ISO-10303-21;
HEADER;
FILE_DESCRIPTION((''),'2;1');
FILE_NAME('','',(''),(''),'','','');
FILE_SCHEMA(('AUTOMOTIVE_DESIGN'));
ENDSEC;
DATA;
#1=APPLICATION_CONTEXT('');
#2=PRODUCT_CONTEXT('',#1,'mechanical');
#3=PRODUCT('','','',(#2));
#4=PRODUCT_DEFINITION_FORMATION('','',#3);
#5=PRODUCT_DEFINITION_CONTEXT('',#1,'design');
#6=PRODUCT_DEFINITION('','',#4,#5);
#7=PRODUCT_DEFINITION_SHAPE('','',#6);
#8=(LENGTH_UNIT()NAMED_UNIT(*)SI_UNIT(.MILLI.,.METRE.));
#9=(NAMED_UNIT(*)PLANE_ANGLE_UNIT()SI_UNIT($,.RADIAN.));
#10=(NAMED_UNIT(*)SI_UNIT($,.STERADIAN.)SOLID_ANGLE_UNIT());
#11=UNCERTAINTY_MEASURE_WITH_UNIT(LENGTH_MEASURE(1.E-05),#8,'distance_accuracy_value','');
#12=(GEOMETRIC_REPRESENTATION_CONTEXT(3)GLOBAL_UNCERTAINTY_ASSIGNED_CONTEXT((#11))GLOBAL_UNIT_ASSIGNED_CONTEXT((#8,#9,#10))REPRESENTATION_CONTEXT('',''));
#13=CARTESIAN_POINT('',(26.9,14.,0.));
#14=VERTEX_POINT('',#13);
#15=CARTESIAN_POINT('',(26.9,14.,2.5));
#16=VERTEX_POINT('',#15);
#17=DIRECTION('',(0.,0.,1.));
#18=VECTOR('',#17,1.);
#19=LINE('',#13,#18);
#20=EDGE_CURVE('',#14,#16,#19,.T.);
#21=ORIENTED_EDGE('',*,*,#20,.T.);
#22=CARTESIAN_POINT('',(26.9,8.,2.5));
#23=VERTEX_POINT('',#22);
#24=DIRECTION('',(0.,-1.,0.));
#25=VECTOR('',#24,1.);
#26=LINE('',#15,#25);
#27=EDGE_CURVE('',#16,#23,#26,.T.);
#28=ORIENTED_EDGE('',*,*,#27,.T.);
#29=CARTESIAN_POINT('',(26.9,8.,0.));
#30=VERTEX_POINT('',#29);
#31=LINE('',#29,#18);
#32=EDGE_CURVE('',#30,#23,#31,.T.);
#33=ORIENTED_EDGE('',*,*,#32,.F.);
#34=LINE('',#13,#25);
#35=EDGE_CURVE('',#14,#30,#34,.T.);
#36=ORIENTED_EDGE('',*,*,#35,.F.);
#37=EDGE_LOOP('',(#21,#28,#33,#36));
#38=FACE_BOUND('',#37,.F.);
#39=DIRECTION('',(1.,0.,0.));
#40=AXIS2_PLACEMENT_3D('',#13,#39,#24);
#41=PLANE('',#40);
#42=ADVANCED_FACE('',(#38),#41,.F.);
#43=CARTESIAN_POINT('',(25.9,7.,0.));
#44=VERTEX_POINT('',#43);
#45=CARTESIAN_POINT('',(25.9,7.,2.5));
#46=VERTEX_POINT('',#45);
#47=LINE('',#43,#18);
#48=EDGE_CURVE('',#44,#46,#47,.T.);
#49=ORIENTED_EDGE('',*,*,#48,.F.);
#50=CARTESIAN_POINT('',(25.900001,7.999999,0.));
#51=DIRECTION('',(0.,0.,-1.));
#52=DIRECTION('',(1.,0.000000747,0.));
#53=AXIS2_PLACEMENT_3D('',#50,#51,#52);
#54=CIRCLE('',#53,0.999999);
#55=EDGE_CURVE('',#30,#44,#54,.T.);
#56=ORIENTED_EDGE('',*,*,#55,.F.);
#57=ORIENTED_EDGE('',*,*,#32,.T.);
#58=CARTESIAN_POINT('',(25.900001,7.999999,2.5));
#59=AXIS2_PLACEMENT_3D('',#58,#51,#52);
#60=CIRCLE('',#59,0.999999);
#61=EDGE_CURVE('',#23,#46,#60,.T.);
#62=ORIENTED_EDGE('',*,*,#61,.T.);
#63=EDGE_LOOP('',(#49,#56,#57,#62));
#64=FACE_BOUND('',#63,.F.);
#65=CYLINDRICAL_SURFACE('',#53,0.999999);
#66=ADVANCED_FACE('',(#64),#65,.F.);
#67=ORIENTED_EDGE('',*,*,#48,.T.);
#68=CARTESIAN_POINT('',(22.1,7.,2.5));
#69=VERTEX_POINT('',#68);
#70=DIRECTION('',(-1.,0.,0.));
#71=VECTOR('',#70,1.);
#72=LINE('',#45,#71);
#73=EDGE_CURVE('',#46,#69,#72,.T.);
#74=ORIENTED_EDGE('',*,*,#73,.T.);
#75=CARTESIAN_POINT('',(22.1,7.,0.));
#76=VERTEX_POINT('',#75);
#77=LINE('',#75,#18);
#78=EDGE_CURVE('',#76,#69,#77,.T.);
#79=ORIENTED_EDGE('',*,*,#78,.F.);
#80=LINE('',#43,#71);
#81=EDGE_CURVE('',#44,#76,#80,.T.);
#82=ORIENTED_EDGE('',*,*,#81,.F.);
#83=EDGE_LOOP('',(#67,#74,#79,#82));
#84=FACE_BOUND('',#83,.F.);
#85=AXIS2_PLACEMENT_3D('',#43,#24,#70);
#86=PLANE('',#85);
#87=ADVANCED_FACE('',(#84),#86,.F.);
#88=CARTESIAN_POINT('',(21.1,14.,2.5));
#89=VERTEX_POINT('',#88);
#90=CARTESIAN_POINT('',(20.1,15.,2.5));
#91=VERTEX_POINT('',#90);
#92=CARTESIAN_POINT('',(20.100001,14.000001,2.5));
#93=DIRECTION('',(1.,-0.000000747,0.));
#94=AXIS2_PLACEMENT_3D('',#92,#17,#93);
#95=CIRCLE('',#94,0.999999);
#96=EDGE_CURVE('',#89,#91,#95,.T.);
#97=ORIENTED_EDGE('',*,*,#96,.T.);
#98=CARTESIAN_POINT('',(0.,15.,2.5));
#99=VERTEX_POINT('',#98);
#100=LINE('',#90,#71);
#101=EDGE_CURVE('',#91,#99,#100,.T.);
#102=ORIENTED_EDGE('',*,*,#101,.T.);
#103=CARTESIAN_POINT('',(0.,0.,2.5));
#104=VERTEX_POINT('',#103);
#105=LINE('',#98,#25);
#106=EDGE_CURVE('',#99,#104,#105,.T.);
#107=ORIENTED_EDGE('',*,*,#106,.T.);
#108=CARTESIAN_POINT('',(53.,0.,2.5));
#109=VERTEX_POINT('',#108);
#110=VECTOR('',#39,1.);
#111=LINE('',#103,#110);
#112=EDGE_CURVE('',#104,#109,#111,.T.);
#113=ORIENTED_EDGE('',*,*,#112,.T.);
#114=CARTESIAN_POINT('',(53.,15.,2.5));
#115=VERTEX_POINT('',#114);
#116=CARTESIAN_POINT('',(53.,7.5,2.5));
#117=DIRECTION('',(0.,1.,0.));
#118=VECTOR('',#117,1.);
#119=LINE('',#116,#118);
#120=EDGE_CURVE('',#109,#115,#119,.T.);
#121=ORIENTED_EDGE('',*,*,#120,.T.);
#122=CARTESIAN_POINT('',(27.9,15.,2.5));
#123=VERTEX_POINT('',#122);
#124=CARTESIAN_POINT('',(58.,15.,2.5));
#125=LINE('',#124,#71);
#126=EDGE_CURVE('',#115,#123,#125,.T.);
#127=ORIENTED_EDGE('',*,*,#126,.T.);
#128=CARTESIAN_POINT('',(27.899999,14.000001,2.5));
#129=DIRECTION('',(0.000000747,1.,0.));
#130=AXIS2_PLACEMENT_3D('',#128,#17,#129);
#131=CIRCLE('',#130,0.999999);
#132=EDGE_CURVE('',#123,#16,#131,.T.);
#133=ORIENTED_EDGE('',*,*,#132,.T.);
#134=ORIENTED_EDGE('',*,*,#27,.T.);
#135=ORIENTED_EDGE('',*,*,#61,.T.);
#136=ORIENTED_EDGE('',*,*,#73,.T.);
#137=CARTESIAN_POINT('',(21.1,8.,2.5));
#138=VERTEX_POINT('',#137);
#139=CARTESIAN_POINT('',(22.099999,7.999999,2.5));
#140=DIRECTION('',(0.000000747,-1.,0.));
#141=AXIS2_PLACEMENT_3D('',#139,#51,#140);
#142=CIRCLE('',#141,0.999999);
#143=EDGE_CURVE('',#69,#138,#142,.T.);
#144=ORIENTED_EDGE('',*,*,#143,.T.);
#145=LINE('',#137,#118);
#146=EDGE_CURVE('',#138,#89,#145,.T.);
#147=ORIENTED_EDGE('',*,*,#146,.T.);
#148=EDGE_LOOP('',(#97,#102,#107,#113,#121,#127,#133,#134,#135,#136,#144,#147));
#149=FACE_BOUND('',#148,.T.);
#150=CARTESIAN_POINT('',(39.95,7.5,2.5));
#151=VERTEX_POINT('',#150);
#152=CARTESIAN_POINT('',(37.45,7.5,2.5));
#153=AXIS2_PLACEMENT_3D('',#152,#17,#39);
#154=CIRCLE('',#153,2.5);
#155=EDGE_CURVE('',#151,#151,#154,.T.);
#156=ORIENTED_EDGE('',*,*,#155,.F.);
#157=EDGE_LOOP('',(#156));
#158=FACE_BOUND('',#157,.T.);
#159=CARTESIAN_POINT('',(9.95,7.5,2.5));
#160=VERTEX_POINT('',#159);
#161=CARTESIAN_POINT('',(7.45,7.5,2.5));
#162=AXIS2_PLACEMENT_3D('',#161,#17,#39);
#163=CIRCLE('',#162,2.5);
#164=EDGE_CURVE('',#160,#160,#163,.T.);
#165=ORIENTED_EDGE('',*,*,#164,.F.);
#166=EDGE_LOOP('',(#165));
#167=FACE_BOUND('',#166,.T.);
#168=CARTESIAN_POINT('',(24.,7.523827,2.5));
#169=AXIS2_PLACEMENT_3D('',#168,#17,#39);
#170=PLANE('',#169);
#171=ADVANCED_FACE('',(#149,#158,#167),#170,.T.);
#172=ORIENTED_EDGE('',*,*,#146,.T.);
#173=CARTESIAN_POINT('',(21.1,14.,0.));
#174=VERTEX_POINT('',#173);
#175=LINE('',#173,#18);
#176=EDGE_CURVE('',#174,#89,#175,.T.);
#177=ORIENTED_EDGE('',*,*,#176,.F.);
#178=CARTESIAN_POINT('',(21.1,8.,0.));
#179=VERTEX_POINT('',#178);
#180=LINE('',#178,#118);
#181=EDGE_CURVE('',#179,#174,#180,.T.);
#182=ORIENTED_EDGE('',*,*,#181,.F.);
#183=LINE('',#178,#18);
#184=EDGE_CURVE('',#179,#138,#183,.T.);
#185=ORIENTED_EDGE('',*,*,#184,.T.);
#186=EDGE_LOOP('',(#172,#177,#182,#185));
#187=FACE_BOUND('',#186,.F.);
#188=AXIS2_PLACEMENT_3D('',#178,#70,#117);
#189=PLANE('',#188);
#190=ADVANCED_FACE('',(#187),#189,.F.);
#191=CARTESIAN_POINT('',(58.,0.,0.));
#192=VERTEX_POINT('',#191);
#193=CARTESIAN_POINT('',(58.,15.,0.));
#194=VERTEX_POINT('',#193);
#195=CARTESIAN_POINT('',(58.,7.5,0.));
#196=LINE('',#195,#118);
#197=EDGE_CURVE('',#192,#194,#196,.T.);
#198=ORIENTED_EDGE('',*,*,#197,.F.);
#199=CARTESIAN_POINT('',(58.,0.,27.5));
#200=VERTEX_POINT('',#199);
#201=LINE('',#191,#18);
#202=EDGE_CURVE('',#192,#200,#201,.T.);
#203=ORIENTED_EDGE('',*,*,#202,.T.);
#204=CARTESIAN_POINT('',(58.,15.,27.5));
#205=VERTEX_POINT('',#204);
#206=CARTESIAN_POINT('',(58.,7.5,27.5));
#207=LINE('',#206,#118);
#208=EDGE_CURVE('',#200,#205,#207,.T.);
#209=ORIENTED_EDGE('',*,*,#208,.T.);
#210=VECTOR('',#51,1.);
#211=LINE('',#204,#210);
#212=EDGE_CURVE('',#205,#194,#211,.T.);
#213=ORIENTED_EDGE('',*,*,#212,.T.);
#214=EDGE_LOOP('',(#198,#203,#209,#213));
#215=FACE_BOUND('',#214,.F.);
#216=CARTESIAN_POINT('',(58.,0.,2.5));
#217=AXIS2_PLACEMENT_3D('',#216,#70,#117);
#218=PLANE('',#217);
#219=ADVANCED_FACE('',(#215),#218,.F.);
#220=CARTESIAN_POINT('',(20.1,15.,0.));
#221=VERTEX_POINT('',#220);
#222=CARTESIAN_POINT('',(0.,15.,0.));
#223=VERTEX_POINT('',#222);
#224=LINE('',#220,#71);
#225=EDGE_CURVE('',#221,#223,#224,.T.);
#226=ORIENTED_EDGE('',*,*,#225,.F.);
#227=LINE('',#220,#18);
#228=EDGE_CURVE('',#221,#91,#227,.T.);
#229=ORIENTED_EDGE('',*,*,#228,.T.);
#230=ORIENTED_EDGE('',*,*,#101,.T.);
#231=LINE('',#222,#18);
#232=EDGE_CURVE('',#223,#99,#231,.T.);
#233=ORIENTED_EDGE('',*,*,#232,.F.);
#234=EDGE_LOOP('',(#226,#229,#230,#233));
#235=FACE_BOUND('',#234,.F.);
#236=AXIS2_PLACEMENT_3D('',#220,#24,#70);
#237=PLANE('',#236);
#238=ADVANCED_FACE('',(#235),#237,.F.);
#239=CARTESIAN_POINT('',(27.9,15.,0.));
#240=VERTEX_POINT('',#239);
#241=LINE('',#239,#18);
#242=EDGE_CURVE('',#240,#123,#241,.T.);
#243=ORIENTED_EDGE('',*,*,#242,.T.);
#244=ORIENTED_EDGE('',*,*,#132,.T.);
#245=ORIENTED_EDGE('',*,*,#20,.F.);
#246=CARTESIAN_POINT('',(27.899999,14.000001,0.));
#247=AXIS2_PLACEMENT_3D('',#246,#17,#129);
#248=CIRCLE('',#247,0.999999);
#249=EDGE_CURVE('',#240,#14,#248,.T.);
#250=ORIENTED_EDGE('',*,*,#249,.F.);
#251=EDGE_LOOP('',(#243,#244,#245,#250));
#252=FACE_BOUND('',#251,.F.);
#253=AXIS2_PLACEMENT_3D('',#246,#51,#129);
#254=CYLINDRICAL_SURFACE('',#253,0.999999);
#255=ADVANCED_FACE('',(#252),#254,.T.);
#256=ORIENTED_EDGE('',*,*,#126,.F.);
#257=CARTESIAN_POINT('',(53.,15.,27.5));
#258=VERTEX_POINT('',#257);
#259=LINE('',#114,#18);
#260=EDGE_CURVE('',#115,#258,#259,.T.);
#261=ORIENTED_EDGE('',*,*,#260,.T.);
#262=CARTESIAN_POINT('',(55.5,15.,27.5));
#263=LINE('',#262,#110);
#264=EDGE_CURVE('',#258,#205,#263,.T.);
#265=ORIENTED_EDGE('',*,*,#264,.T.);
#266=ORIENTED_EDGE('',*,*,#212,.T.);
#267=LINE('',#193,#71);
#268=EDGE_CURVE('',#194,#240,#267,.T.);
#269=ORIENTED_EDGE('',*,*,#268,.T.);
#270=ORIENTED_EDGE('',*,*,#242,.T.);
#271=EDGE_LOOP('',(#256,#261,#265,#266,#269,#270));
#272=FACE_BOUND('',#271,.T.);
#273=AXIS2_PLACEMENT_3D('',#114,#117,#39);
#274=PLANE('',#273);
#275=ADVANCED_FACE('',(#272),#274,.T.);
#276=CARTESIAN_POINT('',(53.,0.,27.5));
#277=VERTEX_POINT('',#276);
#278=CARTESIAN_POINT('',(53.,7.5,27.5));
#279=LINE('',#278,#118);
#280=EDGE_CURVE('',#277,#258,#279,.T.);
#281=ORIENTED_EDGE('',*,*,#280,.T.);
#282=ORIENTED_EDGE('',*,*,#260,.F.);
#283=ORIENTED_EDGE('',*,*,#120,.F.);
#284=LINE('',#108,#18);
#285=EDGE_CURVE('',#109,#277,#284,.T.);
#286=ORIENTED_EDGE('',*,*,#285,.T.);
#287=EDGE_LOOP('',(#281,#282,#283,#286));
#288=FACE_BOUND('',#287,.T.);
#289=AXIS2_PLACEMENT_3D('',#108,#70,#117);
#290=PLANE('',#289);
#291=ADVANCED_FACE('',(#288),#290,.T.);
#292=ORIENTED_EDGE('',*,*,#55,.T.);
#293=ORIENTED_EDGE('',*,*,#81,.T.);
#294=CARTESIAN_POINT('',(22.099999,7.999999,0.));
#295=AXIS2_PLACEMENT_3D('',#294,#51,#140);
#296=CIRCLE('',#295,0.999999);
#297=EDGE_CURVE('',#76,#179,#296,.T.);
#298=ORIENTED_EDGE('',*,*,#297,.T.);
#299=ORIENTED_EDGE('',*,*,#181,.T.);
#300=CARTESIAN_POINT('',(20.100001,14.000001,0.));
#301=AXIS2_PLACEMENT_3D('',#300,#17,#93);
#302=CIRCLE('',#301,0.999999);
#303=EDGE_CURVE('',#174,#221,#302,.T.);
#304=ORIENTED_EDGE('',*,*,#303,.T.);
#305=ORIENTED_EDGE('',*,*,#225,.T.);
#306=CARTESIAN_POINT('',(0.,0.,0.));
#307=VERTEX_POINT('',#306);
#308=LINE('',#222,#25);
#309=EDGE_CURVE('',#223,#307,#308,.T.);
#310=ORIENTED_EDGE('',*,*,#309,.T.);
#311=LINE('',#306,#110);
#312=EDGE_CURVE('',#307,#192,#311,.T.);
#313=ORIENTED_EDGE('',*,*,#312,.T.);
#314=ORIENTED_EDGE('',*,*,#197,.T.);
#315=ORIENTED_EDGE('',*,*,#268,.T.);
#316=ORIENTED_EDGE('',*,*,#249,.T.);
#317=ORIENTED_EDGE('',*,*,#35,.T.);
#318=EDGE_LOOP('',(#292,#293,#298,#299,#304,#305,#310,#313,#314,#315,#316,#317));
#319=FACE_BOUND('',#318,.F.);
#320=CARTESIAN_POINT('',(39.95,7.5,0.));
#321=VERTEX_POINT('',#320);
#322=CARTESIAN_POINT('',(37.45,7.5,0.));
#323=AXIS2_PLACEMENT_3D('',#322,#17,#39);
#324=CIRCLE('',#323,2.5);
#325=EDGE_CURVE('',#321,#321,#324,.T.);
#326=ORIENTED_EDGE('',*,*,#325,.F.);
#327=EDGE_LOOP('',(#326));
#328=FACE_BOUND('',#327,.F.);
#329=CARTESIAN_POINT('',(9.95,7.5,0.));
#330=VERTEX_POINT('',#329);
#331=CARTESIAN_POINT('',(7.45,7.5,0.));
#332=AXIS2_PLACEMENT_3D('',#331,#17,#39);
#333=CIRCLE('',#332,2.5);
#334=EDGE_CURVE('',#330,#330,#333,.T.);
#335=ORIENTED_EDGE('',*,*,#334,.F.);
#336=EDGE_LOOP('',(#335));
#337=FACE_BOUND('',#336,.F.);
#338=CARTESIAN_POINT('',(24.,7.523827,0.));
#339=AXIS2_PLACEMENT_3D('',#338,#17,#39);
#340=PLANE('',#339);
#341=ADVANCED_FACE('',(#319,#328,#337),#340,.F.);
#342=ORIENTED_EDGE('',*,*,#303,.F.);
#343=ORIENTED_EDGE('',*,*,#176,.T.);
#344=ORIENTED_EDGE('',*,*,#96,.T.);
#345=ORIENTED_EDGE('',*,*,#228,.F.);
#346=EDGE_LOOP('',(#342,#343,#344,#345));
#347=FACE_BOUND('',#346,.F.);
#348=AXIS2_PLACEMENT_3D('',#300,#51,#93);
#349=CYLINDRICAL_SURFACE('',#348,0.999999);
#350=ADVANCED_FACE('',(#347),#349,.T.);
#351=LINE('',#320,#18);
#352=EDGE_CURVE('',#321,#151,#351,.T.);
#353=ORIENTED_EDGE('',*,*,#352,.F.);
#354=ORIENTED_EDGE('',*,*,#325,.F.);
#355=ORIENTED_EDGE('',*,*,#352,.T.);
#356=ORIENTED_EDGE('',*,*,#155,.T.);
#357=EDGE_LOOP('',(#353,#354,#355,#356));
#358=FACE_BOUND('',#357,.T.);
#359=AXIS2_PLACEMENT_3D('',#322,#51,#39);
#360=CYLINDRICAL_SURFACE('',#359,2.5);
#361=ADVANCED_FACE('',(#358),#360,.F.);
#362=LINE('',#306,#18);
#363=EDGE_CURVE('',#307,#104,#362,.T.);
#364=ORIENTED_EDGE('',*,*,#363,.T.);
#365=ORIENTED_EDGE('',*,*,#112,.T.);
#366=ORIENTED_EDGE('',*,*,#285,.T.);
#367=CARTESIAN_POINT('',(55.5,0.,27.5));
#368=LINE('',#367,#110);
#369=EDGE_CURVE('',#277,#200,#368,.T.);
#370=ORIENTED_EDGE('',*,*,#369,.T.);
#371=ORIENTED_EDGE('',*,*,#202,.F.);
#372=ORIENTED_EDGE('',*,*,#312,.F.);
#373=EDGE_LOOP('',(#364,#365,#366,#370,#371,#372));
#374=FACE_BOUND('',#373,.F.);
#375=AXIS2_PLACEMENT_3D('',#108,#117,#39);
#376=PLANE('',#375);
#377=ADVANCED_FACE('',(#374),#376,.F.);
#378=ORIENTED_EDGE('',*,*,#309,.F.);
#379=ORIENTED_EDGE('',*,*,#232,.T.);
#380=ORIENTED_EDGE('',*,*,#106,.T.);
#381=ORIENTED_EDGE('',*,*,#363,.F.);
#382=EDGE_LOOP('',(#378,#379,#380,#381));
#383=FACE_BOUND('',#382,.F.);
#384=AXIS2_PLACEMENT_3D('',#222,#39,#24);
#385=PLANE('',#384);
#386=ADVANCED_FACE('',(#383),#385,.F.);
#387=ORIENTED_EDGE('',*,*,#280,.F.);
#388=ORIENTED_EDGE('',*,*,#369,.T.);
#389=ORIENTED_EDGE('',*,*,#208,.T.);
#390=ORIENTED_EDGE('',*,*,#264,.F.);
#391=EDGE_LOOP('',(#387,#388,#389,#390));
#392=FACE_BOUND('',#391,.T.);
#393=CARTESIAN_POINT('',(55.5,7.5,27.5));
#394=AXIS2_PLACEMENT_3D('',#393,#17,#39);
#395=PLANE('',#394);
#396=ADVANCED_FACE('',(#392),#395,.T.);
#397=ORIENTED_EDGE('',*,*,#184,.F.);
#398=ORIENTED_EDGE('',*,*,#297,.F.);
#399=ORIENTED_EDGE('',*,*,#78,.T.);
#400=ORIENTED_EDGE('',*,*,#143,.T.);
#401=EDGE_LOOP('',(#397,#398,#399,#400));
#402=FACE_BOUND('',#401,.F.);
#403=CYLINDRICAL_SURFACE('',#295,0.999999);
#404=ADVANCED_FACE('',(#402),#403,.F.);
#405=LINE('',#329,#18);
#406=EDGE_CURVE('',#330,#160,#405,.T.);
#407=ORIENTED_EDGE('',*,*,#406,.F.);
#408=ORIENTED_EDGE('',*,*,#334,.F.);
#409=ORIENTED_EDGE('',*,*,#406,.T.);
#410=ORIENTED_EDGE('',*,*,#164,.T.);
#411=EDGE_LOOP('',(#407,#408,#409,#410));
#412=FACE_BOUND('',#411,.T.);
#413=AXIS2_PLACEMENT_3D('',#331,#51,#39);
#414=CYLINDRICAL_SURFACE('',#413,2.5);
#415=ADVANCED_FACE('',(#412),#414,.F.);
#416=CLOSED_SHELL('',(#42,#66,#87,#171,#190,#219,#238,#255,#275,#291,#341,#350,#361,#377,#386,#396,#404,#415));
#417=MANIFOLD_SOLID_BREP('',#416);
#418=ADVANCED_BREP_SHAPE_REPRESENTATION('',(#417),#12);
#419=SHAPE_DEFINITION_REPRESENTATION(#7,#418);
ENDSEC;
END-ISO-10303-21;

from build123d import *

# Parameters (mm, degrees)
F0_R     = 2.5
F0_W     = 10
F0_H     = 15
F1_DEPTH = 2.5
F3_W     = 5
F3_H     = 15
F4_DEPTH = 25


with BuildPart() as f1:
    # F0 (on Top) → F1 (new body)
    with BuildSketch(Plane.XY):
        with BuildLine():
            Line((0, 15), (0, 0))
            Line((0, 0), (48, 0))
            Line((48, 0), (48, 15))
            Line((48, 15), (27.9, 15))
            ThreePointArc((27.9, 15), (27.192893, 14.707107), (26.9, 14))
            Line((26.9, 14), (26.9, 8))
            ThreePointArc((26.9, 8), (26.607107, 7.292893), (25.9, 7))
            Line((25.9, 7), (22.1, 7))
            ThreePointArc((22.1, 7), (21.392893, 7.292893), (21.1, 8))
            Line((21.1, 8), (21.1, 14))
            ThreePointArc((21.1, 14), (20.807107, 14.707107), (20.1, 15))
            Line((20.1, 15), (0, 15))
        make_face()
        with Locations((7.45, 7.5)):
            Circle(F0_R, mode=Mode.SUBTRACT)
        with Locations((37.45, 7.5)):
            Circle(F0_R, mode=Mode.SUBTRACT)
        with Locations((53, 7.5)):
            Rectangle(F0_W, F0_H)
    extrude(amount=F1_DEPTH)

    # F3 (on offset) → F4 (join)
    with BuildSketch(Plane.XY.offset(2.5)):
        with Locations((55.5, 7.5)):
            Rectangle(F3_W, F3_H)
    extrude(amount=F4_DEPTH)


solid = f1.part
